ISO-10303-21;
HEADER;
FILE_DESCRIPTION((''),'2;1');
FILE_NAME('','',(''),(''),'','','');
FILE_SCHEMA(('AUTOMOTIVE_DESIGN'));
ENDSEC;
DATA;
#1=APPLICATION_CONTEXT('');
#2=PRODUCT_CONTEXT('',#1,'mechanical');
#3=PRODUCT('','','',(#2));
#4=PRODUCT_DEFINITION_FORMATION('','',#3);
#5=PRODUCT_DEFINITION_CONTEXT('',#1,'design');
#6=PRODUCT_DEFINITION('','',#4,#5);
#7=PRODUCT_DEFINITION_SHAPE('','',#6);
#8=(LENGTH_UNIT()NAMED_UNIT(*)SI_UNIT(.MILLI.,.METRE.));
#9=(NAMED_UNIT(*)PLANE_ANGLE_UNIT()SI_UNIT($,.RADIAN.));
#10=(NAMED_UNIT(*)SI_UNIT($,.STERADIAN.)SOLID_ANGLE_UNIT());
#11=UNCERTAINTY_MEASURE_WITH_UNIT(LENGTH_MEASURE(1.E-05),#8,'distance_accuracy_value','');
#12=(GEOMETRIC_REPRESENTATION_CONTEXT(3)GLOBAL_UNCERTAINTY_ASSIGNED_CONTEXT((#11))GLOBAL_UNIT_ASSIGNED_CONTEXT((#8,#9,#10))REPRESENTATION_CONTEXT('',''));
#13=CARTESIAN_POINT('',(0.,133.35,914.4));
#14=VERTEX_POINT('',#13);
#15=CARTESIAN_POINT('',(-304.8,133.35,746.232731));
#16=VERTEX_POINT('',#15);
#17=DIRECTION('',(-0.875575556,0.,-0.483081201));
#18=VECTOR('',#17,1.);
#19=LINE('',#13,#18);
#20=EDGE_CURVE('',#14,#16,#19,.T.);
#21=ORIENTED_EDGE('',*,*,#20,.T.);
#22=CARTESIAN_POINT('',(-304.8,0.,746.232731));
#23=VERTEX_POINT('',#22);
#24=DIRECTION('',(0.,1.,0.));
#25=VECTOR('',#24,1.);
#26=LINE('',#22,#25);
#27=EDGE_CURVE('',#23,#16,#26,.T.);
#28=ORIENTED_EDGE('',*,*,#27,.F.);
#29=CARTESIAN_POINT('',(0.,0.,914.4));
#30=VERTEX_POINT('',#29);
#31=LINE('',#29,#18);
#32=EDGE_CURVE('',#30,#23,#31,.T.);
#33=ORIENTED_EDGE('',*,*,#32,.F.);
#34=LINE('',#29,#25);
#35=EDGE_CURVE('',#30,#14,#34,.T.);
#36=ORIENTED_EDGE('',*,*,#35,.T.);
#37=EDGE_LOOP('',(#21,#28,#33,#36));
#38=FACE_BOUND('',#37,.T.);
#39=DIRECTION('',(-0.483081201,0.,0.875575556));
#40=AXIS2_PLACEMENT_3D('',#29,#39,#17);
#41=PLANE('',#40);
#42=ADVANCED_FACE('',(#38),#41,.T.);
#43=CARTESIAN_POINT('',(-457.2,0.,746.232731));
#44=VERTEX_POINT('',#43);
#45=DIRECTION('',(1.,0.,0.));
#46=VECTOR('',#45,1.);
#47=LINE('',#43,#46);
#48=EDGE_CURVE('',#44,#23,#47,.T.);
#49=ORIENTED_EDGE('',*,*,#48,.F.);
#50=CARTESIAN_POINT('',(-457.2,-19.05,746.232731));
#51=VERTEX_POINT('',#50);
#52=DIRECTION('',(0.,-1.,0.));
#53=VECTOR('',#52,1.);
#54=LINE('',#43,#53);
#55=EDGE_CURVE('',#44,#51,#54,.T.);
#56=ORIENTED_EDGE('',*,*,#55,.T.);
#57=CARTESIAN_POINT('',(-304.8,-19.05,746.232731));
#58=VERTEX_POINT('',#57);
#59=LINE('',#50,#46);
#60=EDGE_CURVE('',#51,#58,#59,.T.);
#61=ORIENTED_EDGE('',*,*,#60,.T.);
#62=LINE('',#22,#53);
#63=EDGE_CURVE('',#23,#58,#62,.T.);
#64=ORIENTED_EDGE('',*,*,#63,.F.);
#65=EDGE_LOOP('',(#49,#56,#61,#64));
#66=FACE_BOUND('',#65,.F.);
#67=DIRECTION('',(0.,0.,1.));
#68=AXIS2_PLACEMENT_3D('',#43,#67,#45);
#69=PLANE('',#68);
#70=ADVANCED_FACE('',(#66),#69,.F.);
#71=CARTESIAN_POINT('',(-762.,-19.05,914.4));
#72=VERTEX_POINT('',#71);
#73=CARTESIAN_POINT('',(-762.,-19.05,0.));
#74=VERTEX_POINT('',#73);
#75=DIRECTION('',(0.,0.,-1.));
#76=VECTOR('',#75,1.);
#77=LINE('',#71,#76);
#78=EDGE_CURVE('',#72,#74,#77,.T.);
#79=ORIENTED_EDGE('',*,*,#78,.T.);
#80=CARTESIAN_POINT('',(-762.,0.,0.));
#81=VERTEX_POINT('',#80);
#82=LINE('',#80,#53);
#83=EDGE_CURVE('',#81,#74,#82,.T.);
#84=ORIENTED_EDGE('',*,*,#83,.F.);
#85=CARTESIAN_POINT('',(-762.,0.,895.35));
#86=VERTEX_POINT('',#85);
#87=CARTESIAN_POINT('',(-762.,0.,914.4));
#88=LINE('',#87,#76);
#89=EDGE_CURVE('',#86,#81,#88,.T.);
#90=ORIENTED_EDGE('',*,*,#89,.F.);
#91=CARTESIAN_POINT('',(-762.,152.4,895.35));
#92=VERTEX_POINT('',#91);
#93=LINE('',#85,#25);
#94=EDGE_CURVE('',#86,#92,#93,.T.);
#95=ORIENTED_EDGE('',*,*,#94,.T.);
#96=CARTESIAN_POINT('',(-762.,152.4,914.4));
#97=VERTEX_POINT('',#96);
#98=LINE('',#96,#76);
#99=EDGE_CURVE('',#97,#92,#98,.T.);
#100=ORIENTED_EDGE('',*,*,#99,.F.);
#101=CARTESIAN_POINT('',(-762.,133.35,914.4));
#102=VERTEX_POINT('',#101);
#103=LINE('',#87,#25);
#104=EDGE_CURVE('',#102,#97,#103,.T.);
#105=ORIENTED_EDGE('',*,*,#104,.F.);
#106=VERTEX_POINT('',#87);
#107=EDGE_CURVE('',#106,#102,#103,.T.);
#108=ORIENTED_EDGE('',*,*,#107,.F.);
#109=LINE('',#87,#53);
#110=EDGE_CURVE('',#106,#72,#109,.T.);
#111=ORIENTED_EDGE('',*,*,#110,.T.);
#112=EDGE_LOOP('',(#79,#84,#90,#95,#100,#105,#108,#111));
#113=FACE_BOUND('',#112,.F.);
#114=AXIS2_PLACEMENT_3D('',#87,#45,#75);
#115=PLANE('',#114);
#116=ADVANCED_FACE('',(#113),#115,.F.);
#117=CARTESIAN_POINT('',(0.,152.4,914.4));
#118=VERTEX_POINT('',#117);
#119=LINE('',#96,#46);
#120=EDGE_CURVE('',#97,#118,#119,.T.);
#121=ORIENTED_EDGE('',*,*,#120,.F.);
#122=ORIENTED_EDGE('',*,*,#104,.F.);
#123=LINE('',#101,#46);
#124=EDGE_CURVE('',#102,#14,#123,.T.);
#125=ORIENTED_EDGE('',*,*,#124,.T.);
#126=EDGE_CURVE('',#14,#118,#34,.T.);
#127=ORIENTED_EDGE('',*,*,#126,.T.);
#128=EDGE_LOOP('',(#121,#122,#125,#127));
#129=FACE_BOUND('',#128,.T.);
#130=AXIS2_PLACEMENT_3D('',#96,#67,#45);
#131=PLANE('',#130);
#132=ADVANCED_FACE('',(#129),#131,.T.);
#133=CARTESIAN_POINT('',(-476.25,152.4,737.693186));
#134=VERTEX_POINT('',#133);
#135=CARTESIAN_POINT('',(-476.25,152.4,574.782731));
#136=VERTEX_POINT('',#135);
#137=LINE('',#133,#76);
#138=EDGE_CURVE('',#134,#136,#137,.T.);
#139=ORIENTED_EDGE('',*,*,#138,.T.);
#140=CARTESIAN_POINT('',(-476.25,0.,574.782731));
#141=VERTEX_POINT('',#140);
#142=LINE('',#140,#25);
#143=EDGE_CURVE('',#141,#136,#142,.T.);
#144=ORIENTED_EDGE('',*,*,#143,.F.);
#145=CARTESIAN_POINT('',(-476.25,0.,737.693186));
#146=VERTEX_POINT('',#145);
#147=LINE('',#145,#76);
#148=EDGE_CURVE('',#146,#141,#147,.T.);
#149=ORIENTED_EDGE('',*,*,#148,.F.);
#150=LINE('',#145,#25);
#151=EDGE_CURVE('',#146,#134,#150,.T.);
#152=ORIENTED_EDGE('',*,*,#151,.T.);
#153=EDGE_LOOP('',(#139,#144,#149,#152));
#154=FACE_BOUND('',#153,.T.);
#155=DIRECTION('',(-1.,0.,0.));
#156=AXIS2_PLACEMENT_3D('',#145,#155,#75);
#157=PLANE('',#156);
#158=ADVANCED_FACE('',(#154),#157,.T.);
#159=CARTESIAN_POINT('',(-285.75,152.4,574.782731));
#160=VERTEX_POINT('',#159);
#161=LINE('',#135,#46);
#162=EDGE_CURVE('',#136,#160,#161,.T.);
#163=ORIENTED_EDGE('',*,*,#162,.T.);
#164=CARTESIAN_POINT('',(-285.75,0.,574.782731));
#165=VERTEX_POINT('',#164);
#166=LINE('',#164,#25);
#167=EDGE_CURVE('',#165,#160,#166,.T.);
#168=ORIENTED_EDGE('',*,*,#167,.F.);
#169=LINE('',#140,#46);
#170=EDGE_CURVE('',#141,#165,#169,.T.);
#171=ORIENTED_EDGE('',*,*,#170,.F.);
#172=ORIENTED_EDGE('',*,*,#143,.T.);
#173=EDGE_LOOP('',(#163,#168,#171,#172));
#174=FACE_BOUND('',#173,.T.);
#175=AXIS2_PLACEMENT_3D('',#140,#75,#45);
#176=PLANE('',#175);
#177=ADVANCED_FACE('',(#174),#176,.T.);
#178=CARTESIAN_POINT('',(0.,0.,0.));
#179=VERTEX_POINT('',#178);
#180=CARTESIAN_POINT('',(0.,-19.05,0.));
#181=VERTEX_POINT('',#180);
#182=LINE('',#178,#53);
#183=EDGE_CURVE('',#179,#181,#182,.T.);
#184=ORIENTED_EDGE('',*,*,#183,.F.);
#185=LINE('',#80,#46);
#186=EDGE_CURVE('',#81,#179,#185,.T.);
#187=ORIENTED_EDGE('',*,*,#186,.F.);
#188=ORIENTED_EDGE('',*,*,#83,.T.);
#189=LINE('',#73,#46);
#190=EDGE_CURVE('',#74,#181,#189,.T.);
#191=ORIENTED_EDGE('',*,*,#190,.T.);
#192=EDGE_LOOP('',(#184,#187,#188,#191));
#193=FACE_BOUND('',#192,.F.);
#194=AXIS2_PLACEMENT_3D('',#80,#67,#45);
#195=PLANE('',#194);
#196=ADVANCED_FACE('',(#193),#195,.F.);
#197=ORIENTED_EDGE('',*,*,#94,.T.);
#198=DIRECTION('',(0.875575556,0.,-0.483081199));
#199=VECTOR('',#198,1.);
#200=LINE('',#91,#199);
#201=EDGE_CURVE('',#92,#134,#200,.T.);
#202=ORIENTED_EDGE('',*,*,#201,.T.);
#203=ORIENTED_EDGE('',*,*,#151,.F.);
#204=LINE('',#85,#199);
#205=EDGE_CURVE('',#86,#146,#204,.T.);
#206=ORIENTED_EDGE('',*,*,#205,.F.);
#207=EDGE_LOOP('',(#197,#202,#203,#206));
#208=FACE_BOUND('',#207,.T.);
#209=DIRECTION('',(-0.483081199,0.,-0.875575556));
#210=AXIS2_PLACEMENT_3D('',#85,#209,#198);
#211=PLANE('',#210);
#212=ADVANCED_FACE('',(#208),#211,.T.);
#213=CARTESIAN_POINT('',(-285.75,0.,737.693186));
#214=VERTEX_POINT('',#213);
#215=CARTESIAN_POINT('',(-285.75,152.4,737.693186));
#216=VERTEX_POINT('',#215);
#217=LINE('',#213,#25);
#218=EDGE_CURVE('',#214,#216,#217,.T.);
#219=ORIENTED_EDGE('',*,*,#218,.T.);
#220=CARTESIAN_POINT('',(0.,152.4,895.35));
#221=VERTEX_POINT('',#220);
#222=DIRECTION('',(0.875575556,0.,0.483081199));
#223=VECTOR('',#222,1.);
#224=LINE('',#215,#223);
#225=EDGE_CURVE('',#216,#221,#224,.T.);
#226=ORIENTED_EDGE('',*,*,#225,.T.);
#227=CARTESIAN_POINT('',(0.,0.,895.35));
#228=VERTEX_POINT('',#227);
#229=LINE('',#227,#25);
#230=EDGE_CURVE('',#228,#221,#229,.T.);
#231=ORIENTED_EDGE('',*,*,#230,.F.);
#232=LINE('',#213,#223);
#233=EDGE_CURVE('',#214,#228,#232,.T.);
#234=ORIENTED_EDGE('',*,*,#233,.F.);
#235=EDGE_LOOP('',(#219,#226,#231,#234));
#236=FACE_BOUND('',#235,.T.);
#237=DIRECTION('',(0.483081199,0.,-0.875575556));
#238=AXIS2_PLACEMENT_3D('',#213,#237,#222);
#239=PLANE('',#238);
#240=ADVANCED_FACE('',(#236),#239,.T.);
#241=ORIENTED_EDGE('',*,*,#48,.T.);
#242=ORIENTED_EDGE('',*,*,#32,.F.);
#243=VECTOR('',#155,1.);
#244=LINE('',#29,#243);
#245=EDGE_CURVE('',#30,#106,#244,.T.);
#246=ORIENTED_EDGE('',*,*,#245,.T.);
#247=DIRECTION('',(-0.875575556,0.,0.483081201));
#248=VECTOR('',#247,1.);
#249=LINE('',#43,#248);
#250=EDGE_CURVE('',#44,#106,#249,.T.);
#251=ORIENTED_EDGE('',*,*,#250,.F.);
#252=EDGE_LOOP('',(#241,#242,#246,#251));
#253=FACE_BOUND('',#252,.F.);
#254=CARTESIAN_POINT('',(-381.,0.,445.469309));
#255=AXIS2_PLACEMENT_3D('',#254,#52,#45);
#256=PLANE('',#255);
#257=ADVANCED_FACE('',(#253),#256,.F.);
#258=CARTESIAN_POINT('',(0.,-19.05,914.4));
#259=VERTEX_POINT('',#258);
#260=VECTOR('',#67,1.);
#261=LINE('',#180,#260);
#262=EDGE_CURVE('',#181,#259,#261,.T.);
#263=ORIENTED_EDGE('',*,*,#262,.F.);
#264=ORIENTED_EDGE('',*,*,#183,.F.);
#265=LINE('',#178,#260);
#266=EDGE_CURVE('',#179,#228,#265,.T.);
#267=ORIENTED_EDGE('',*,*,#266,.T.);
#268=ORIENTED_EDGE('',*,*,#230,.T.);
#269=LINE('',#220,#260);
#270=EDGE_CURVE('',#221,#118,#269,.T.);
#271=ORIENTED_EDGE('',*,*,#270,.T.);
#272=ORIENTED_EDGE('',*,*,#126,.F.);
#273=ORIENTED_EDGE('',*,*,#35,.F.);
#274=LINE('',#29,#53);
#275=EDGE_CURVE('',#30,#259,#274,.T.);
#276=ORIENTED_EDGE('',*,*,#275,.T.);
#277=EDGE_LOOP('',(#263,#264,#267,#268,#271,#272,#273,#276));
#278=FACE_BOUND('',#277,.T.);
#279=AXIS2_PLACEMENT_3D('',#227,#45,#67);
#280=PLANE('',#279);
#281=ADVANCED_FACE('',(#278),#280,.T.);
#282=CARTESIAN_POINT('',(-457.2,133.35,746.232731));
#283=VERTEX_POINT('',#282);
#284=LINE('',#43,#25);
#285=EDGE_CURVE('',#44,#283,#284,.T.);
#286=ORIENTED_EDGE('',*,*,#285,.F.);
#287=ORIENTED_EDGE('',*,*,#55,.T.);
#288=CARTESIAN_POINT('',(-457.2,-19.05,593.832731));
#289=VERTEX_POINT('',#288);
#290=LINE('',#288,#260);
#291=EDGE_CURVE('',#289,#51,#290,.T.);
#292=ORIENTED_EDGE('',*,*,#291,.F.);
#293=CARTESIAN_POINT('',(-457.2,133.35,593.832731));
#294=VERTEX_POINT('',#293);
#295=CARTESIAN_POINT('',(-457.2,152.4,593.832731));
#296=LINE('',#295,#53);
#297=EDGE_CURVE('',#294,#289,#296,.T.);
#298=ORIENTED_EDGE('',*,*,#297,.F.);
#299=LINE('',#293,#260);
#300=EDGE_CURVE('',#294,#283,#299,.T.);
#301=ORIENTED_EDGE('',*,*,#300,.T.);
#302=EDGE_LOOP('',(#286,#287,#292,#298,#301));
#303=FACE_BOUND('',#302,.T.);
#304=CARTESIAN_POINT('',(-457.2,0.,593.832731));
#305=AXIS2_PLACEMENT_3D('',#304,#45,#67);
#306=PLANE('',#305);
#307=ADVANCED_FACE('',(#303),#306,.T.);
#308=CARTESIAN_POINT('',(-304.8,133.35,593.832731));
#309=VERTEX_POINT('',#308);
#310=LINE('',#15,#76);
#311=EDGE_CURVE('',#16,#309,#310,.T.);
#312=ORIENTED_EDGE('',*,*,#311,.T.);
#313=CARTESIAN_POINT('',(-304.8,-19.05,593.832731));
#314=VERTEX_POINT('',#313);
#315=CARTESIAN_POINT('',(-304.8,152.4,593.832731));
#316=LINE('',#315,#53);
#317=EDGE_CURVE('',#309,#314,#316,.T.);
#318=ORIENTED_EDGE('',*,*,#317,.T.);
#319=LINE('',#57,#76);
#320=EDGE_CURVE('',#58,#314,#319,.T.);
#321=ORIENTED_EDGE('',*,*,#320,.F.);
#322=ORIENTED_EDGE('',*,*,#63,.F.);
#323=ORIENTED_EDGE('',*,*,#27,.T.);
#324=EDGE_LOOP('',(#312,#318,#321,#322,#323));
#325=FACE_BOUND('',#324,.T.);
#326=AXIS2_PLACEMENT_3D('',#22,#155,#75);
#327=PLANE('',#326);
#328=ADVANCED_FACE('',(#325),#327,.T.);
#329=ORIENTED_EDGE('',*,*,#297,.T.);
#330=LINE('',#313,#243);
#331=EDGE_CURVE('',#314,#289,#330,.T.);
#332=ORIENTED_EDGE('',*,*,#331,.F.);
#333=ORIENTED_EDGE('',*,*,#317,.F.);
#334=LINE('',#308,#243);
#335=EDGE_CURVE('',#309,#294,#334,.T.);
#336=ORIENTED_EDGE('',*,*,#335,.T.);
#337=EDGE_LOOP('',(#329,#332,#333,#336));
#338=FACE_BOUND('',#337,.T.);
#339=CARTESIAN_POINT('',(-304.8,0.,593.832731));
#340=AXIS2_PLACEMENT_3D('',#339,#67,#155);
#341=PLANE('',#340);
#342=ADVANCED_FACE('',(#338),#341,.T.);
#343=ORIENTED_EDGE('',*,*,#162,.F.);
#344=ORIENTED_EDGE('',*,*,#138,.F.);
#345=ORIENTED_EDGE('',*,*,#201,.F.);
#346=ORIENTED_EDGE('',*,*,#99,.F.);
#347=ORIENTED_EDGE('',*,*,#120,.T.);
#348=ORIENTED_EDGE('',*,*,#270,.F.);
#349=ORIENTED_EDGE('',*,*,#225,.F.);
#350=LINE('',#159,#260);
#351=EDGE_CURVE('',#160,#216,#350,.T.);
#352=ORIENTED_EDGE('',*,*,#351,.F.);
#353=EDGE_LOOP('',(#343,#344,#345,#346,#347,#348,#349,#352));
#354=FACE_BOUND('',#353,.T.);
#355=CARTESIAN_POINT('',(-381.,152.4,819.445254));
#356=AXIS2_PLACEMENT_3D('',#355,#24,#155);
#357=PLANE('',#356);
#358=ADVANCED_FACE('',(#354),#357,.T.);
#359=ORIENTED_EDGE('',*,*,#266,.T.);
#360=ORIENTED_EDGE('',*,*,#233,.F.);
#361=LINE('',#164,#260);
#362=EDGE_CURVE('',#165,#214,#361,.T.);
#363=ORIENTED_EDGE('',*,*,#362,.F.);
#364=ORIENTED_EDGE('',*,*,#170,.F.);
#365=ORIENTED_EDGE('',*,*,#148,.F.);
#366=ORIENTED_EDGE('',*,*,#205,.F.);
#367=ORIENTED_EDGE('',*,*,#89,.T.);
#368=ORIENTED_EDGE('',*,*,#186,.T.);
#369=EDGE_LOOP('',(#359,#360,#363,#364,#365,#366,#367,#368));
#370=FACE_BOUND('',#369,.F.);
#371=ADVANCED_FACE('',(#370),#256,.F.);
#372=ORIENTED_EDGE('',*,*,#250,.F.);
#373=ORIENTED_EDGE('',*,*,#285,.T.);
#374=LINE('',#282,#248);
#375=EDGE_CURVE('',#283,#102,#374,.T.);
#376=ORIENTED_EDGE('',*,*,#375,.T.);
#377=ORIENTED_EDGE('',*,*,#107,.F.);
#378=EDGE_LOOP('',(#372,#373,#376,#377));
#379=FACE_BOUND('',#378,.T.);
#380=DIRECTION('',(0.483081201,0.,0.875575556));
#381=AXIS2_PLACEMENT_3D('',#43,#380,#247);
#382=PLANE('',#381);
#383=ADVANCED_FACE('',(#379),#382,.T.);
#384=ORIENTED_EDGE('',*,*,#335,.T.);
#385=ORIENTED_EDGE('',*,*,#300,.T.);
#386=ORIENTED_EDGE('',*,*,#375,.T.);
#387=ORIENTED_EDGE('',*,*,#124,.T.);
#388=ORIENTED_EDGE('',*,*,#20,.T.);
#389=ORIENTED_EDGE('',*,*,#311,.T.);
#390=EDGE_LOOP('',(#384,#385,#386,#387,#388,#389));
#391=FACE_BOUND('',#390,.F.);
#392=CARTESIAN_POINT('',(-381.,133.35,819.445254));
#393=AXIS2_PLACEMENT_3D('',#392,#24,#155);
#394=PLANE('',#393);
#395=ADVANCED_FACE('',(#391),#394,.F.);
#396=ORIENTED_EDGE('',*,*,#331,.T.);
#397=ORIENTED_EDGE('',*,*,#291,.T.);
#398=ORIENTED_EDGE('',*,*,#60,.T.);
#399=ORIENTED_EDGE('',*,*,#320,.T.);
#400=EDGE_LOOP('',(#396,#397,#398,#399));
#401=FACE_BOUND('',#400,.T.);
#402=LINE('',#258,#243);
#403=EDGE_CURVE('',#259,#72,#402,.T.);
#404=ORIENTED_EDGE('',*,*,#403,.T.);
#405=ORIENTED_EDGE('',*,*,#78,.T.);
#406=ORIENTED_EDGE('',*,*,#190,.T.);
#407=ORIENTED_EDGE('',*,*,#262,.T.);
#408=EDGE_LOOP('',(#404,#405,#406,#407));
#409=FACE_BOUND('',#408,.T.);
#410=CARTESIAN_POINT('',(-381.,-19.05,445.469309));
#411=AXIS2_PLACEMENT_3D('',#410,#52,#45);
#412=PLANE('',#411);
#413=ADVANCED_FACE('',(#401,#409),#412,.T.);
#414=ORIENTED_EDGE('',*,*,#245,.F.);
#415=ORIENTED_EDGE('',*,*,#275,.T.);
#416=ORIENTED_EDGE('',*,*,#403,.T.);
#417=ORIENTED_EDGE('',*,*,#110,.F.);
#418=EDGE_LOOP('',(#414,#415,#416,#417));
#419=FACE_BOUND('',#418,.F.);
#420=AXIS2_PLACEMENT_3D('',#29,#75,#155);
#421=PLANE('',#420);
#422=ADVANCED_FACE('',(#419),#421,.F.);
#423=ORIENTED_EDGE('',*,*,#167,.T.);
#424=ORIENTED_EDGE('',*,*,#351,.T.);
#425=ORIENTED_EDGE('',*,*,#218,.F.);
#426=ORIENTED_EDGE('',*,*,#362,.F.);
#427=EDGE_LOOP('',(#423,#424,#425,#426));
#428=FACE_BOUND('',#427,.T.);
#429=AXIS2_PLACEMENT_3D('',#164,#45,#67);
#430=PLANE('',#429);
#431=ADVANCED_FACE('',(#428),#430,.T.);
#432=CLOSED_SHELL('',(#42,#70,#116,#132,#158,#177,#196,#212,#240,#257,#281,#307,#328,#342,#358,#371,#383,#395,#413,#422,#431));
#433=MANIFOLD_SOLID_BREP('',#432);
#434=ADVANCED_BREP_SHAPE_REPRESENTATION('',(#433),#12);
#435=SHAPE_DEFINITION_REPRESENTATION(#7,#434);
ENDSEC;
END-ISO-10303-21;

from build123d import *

# Parameters (mm, degrees)
F1_DEPTH = 19.05
F2_DEPTH = 152.4
F4_DEPTH = 19.05


with BuildPart() as f1:
    # F0 (on Front) → F1 (new body)
    with BuildSketch(Plane.XZ):
        Polygon((-762, 0), (0, 0), (0, 895.35), (-285.75, 737.693186), (-285.75, 593.832731), (-285.75, 574.782731), (-476.25, 574.782731), (-476.25, 593.832731), (-476.25, 737.693186), (-762, 895.35), align=None)
        Polygon((-304.8, 746.232731), (0, 914.4), (-762, 914.4), (-457.2, 746.232731), align=None)
        Polygon((-285.75, 737.693186), (0, 895.35), (0, 914.4), (-304.8, 746.232731), (-304.8, 593.832731), (-457.2, 593.832731), (-457.2, 746.232731), (-762, 914.4), (-762, 895.35), (-476.25, 737.693186), (-476.25, 593.832731), (-476.25, 574.782731), (-285.75, 574.782731), (-285.75, 593.832731), align=None)
    extrude(amount=F1_DEPTH)

    # F0 (on Front) → F2 (join)
    with BuildSketch(Plane.XZ):
        Polygon((-285.75, 737.693186), (0, 895.35), (0, 914.4), (-304.8, 746.232731), (-304.8, 593.832731), (-457.2, 593.832731), (-457.2, 746.232731), (-762, 914.4), (-762, 895.35), (-476.25, 737.693186), (-476.25, 593.832731), (-476.25, 574.782731), (-285.75, 574.782731), (-285.75, 593.832731), align=None)
    extrude(amount=-F2_DEPTH)

    # F3 (on face) → F4 (join)
    with BuildSketch(Plane(origin=(0, 152.4, 0), x_dir=(-1, 0, 0), z_dir=(0, 1, 0))):
        Polygon((762, 914.4), (0, 914.4), (304.8, 746.232731), (304.8, 593.832731), (457.2, 593.832731), (457.2, 746.232731), align=None)
    extrude(amount=-F4_DEPTH)


solid = f1.part
